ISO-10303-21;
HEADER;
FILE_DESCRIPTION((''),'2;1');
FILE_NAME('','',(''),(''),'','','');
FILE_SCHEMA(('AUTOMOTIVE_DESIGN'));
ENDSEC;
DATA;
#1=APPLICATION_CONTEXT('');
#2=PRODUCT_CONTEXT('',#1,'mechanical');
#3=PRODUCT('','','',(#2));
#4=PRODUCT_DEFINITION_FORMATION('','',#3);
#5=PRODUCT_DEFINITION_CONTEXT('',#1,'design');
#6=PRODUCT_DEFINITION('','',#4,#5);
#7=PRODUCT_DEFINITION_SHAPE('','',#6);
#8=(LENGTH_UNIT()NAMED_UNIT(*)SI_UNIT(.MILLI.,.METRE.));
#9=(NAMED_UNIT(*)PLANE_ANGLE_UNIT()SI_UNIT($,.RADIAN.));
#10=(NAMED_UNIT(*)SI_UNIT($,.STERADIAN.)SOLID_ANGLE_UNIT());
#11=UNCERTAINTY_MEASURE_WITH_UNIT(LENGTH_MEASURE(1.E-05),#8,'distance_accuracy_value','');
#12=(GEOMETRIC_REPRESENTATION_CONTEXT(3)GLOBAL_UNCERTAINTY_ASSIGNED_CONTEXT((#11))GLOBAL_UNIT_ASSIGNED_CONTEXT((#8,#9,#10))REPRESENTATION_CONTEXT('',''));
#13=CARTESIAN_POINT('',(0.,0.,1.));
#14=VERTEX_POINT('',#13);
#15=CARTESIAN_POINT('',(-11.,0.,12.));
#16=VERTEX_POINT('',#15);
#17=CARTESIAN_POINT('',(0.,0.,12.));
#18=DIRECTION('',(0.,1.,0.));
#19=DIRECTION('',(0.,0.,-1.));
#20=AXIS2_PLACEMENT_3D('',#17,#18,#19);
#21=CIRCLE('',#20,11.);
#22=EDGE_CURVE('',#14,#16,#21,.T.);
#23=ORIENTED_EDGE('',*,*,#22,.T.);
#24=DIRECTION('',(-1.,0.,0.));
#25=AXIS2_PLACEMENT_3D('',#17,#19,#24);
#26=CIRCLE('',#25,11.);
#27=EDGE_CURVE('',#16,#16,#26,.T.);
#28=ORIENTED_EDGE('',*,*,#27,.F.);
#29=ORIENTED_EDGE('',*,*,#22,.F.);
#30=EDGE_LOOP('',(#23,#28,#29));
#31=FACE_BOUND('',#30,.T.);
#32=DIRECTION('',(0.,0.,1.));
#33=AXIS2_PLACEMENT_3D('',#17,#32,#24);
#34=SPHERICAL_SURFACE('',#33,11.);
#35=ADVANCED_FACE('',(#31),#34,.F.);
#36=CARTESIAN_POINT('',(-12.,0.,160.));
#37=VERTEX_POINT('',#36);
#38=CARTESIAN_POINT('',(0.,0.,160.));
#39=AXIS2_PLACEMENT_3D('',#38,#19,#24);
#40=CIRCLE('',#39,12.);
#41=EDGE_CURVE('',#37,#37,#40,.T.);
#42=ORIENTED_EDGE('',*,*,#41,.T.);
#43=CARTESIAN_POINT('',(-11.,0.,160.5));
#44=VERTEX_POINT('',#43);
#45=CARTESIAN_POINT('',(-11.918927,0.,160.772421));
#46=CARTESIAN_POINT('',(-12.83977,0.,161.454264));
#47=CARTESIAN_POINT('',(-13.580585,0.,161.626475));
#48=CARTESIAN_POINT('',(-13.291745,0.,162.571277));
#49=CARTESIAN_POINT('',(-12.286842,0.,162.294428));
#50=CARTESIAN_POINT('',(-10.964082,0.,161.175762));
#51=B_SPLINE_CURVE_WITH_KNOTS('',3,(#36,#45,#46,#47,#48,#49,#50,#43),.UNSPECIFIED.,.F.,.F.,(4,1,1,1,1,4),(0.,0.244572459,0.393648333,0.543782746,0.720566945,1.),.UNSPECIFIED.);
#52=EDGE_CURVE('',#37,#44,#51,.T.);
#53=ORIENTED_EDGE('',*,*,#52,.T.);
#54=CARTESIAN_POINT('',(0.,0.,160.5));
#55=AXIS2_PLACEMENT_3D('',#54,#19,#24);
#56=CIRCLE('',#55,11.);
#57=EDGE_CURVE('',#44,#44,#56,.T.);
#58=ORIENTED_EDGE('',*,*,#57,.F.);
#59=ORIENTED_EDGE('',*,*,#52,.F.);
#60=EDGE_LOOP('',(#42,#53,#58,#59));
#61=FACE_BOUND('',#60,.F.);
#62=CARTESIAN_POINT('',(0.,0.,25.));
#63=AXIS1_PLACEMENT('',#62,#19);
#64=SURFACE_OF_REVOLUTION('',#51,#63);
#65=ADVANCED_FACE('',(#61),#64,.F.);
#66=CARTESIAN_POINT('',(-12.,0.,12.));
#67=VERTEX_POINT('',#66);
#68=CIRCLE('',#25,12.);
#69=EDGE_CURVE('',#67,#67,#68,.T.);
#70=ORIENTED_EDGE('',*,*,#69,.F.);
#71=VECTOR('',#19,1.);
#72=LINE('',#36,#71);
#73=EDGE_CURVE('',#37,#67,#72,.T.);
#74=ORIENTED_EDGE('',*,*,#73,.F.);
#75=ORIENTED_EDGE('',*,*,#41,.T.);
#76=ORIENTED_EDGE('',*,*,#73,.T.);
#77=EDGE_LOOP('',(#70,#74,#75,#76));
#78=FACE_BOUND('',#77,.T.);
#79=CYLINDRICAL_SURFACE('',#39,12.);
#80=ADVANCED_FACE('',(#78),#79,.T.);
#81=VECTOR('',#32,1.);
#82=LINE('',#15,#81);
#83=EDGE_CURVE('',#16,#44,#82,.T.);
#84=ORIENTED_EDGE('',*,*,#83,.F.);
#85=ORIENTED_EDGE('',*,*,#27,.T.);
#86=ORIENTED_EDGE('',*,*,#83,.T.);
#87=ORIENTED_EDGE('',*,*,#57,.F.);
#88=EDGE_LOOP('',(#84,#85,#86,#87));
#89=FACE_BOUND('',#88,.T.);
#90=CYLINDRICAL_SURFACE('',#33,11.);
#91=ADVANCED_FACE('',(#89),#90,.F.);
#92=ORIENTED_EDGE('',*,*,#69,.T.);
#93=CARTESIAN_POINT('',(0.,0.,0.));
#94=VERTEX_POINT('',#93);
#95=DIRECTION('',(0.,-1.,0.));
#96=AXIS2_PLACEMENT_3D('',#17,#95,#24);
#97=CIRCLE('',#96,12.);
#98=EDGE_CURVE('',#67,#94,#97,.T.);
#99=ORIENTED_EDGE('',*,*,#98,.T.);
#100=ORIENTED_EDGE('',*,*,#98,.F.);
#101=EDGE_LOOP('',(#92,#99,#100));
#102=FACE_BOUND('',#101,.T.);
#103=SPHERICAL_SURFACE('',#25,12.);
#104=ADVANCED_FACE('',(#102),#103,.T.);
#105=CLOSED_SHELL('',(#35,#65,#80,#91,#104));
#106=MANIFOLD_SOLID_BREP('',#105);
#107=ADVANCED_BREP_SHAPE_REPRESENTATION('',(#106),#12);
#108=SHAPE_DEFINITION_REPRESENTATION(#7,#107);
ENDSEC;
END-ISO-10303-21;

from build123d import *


with BuildPart() as f1:
    # F0 (on Front) → F1 (revolve)
    with BuildSketch(Plane.XZ):
        with BuildLine():
            Line((-12, 160), (-12, 12))
            ThreePointArc((-12, 12), (-8.4852813742, 3.5147186258), (0, 0))
            Line((0, 0), (0, 1))
            ThreePointArc((0, 1), (-7.7781745931, 4.2218254069), (-11, 12))
            Line((-11, 12), (-11, 160.5))
            add(Edge.make_bspline(
                [(-12, 160), (-11.9189271751, 160.7724214921), (-12.8397703817, 161.4542636477), (-13.5805845381, 161.6264747054), (-13.2917450188, 162.5712767334), (-12.2868417788, 162.2944279287), (-10.9640822815, 161.1757620141), (-11, 160.5)],
                knots=[0, 0, 0, 0, 0.2445724588, 0.393648333, 0.5437827455, 0.7205669454, 1, 1, 1, 1], degree=3))
        make_face()
    revolve(axis=Axis((0, 0, 25), (0, 0, -1)))


solid = f1.part
